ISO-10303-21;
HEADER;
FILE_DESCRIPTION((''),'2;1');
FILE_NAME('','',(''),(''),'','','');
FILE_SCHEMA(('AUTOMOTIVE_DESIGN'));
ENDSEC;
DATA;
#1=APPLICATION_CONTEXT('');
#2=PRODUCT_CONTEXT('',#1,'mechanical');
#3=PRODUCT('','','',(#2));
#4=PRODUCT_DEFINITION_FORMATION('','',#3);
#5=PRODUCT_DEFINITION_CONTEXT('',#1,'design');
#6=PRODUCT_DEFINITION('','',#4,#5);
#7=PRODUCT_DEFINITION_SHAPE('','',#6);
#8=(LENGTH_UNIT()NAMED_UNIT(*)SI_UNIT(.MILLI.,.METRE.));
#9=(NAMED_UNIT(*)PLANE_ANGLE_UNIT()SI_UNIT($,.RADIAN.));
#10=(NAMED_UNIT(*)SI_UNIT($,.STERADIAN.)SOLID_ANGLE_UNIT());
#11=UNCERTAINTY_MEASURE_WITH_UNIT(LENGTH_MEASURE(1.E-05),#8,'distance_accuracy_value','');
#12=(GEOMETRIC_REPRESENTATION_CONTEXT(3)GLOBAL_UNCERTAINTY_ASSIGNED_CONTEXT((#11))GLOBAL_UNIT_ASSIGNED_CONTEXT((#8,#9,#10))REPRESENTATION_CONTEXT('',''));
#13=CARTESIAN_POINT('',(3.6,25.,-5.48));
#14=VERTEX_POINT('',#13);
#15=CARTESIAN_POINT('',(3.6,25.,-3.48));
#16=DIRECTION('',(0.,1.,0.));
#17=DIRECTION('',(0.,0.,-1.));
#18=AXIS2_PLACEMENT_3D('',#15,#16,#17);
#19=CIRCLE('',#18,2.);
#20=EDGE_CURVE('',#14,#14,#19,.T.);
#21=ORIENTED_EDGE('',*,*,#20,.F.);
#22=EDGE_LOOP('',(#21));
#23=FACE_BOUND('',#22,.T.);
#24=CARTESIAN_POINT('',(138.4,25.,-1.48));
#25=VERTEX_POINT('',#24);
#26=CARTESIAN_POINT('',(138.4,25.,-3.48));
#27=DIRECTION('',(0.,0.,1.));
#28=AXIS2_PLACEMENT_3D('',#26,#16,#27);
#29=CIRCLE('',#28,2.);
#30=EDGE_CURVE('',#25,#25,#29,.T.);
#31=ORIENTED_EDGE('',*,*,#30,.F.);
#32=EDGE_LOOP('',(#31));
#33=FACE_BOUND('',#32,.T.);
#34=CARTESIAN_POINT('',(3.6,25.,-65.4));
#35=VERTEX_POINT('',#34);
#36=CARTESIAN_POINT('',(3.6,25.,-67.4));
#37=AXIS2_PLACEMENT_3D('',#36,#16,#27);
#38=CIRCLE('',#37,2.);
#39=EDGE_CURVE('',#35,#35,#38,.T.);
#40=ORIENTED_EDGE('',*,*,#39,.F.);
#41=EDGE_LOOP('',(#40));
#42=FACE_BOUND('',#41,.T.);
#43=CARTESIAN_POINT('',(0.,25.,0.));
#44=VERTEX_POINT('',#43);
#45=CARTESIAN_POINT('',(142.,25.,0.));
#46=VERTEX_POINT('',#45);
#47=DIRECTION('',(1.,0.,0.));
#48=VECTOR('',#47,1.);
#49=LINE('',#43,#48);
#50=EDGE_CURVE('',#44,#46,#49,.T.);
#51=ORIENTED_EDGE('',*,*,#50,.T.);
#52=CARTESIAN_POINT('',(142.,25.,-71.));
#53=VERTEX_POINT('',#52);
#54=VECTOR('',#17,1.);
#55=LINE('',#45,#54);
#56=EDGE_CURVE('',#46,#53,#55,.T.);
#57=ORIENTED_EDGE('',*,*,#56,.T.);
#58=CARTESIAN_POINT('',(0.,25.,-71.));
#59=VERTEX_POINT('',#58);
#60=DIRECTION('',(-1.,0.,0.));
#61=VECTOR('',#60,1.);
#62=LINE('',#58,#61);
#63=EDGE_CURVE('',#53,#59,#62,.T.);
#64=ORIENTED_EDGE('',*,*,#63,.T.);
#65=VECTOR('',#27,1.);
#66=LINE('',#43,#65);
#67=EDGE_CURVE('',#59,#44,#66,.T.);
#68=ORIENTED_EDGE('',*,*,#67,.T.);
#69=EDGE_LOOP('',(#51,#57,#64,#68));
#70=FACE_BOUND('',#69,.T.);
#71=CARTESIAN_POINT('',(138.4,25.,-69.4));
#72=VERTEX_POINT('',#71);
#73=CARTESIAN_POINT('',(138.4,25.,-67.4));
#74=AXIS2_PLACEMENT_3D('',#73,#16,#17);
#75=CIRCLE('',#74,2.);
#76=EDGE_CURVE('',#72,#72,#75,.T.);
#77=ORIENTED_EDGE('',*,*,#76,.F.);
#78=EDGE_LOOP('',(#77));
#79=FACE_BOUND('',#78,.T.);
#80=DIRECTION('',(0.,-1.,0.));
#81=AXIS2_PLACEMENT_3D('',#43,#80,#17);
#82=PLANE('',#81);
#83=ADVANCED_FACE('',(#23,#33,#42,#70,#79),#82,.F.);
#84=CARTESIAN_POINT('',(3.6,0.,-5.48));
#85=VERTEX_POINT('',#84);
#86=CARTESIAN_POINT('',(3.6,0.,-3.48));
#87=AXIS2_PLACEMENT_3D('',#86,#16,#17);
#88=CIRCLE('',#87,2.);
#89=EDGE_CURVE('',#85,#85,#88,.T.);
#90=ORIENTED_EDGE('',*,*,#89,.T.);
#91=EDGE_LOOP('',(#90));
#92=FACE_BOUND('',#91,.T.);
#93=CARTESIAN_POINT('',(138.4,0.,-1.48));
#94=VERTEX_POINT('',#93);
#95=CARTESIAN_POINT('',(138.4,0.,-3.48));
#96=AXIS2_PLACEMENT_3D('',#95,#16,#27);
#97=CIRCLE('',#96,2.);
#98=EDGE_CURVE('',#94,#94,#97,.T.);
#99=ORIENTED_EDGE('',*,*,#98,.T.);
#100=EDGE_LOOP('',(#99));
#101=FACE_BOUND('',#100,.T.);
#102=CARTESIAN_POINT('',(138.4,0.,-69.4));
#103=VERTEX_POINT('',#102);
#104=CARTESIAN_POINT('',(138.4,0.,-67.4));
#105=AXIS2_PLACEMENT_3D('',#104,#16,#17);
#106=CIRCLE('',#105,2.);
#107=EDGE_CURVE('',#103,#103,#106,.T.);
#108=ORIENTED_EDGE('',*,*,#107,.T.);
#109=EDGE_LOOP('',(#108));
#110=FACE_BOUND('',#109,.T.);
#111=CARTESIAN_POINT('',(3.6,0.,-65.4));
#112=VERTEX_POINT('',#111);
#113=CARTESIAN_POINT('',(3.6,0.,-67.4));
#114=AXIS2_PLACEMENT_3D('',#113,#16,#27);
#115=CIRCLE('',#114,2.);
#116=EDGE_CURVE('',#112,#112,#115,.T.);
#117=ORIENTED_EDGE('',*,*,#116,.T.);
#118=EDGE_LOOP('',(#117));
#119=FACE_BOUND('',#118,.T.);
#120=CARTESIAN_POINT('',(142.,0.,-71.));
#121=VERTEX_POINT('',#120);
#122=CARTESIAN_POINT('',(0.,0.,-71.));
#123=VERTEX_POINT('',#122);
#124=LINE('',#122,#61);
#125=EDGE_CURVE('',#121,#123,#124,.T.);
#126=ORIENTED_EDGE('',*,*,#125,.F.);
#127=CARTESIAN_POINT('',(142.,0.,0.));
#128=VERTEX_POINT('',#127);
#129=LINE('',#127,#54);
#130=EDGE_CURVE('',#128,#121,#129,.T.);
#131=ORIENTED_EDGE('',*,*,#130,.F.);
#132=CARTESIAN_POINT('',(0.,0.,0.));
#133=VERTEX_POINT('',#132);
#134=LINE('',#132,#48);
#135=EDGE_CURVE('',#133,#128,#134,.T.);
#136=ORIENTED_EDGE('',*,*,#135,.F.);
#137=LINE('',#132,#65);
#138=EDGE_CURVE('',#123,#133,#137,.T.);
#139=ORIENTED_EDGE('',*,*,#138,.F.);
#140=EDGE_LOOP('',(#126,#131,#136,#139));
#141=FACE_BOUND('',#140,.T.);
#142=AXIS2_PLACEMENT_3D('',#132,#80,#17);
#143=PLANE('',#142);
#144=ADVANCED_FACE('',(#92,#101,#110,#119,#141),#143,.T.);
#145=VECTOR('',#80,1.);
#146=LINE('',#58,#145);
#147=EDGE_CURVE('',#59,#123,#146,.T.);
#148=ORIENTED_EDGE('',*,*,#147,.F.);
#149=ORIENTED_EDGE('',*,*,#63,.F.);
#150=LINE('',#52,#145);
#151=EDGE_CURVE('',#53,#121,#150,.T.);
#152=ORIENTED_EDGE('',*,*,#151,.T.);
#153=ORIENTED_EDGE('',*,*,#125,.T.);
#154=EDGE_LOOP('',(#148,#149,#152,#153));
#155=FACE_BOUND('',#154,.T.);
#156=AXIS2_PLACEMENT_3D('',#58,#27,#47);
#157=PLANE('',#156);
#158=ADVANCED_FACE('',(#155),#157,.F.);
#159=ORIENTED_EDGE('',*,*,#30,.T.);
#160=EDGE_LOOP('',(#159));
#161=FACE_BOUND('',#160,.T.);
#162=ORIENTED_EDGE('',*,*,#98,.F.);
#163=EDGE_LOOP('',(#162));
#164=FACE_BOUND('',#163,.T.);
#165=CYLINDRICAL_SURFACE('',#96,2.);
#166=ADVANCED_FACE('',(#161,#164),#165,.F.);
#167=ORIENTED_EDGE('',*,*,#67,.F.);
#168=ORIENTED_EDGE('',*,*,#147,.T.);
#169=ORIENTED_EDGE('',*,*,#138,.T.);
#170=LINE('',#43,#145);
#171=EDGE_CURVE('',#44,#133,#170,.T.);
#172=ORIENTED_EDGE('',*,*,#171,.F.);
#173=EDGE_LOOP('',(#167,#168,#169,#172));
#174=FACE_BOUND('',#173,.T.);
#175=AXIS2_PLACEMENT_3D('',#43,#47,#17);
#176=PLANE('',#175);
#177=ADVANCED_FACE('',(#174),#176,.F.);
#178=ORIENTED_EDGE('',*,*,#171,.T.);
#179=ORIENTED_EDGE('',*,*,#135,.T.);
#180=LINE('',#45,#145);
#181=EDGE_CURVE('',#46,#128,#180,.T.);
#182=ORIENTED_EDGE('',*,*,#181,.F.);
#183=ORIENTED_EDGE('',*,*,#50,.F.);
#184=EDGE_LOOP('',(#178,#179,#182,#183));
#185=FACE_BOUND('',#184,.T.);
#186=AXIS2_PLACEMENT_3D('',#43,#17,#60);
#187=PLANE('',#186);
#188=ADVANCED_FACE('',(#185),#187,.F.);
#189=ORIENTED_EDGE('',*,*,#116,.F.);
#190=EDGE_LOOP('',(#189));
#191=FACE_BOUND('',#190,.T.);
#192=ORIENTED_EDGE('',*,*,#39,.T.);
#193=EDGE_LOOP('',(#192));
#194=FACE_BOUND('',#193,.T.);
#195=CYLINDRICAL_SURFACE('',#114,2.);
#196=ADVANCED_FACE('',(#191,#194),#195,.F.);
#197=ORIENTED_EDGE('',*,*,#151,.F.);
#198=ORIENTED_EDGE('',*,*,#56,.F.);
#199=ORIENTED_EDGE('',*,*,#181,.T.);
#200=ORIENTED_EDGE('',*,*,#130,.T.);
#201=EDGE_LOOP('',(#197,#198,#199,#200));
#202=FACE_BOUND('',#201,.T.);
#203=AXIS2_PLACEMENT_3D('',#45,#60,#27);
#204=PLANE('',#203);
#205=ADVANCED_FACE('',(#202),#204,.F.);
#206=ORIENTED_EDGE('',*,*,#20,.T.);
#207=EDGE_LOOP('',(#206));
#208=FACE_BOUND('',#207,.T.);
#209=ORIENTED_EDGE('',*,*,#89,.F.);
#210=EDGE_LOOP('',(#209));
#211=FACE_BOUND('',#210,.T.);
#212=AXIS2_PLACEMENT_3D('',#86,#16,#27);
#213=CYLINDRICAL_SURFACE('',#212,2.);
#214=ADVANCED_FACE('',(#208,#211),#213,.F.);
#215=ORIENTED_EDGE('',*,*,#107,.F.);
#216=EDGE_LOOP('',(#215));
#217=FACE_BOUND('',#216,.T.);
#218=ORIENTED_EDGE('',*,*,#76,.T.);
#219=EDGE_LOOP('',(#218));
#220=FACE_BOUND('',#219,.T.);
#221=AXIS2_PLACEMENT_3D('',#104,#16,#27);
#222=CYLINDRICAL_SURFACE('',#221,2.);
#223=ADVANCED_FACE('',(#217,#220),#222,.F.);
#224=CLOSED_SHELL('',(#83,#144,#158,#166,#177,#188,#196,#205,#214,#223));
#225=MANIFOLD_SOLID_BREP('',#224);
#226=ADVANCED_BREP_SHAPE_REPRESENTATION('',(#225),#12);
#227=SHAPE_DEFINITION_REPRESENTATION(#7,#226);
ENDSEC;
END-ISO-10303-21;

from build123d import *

# Parameters (mm, degrees)
SKETCH1_W           = 142
SKETCH1_H           = 71
BOSS_EXTRUDE1_DEPTH = 25
SKETCH2_R           = 2
CUT_EXTRUDE1_DEPTH  = 161.717142832


with BuildPart() as part:
    # Sketch1 → Boss-Extrude1 (new body)
    with BuildSketch(Plane(origin=(0, 0, 0), x_dir=(1, 0, 0), z_dir=(0, 1, 0))):
        with Locations((71, 35.5)):
            Rectangle(SKETCH1_W, SKETCH1_H)
    extrude(amount=BOSS_EXTRUDE1_DEPTH)

    # Sketch2 → Cut-Extrude1 (cut, through all)
    with BuildSketch(Plane(origin=(0, 25, 0), x_dir=(1, 0, 0), z_dir=(0, 1, 0))):
        with Locations(Location((3.6, 67.4, 0), (0, 0, 270))):
            Circle(SKETCH2_R)
        with Locations(Location((138.4, 67.4, 0), (0, 0, 90))):
            Circle(SKETCH2_R)
        with Locations(Location((138.4, 3.48, 0), (0, 0, 270))):
            Circle(SKETCH2_R)
        with Locations(Location((3.6, 3.48, 0), (0, 0, 90))):
            Circle(SKETCH2_R)
    extrude(amount=-CUT_EXTRUDE1_DEPTH, mode=Mode.SUBTRACT)


solid = part.part
